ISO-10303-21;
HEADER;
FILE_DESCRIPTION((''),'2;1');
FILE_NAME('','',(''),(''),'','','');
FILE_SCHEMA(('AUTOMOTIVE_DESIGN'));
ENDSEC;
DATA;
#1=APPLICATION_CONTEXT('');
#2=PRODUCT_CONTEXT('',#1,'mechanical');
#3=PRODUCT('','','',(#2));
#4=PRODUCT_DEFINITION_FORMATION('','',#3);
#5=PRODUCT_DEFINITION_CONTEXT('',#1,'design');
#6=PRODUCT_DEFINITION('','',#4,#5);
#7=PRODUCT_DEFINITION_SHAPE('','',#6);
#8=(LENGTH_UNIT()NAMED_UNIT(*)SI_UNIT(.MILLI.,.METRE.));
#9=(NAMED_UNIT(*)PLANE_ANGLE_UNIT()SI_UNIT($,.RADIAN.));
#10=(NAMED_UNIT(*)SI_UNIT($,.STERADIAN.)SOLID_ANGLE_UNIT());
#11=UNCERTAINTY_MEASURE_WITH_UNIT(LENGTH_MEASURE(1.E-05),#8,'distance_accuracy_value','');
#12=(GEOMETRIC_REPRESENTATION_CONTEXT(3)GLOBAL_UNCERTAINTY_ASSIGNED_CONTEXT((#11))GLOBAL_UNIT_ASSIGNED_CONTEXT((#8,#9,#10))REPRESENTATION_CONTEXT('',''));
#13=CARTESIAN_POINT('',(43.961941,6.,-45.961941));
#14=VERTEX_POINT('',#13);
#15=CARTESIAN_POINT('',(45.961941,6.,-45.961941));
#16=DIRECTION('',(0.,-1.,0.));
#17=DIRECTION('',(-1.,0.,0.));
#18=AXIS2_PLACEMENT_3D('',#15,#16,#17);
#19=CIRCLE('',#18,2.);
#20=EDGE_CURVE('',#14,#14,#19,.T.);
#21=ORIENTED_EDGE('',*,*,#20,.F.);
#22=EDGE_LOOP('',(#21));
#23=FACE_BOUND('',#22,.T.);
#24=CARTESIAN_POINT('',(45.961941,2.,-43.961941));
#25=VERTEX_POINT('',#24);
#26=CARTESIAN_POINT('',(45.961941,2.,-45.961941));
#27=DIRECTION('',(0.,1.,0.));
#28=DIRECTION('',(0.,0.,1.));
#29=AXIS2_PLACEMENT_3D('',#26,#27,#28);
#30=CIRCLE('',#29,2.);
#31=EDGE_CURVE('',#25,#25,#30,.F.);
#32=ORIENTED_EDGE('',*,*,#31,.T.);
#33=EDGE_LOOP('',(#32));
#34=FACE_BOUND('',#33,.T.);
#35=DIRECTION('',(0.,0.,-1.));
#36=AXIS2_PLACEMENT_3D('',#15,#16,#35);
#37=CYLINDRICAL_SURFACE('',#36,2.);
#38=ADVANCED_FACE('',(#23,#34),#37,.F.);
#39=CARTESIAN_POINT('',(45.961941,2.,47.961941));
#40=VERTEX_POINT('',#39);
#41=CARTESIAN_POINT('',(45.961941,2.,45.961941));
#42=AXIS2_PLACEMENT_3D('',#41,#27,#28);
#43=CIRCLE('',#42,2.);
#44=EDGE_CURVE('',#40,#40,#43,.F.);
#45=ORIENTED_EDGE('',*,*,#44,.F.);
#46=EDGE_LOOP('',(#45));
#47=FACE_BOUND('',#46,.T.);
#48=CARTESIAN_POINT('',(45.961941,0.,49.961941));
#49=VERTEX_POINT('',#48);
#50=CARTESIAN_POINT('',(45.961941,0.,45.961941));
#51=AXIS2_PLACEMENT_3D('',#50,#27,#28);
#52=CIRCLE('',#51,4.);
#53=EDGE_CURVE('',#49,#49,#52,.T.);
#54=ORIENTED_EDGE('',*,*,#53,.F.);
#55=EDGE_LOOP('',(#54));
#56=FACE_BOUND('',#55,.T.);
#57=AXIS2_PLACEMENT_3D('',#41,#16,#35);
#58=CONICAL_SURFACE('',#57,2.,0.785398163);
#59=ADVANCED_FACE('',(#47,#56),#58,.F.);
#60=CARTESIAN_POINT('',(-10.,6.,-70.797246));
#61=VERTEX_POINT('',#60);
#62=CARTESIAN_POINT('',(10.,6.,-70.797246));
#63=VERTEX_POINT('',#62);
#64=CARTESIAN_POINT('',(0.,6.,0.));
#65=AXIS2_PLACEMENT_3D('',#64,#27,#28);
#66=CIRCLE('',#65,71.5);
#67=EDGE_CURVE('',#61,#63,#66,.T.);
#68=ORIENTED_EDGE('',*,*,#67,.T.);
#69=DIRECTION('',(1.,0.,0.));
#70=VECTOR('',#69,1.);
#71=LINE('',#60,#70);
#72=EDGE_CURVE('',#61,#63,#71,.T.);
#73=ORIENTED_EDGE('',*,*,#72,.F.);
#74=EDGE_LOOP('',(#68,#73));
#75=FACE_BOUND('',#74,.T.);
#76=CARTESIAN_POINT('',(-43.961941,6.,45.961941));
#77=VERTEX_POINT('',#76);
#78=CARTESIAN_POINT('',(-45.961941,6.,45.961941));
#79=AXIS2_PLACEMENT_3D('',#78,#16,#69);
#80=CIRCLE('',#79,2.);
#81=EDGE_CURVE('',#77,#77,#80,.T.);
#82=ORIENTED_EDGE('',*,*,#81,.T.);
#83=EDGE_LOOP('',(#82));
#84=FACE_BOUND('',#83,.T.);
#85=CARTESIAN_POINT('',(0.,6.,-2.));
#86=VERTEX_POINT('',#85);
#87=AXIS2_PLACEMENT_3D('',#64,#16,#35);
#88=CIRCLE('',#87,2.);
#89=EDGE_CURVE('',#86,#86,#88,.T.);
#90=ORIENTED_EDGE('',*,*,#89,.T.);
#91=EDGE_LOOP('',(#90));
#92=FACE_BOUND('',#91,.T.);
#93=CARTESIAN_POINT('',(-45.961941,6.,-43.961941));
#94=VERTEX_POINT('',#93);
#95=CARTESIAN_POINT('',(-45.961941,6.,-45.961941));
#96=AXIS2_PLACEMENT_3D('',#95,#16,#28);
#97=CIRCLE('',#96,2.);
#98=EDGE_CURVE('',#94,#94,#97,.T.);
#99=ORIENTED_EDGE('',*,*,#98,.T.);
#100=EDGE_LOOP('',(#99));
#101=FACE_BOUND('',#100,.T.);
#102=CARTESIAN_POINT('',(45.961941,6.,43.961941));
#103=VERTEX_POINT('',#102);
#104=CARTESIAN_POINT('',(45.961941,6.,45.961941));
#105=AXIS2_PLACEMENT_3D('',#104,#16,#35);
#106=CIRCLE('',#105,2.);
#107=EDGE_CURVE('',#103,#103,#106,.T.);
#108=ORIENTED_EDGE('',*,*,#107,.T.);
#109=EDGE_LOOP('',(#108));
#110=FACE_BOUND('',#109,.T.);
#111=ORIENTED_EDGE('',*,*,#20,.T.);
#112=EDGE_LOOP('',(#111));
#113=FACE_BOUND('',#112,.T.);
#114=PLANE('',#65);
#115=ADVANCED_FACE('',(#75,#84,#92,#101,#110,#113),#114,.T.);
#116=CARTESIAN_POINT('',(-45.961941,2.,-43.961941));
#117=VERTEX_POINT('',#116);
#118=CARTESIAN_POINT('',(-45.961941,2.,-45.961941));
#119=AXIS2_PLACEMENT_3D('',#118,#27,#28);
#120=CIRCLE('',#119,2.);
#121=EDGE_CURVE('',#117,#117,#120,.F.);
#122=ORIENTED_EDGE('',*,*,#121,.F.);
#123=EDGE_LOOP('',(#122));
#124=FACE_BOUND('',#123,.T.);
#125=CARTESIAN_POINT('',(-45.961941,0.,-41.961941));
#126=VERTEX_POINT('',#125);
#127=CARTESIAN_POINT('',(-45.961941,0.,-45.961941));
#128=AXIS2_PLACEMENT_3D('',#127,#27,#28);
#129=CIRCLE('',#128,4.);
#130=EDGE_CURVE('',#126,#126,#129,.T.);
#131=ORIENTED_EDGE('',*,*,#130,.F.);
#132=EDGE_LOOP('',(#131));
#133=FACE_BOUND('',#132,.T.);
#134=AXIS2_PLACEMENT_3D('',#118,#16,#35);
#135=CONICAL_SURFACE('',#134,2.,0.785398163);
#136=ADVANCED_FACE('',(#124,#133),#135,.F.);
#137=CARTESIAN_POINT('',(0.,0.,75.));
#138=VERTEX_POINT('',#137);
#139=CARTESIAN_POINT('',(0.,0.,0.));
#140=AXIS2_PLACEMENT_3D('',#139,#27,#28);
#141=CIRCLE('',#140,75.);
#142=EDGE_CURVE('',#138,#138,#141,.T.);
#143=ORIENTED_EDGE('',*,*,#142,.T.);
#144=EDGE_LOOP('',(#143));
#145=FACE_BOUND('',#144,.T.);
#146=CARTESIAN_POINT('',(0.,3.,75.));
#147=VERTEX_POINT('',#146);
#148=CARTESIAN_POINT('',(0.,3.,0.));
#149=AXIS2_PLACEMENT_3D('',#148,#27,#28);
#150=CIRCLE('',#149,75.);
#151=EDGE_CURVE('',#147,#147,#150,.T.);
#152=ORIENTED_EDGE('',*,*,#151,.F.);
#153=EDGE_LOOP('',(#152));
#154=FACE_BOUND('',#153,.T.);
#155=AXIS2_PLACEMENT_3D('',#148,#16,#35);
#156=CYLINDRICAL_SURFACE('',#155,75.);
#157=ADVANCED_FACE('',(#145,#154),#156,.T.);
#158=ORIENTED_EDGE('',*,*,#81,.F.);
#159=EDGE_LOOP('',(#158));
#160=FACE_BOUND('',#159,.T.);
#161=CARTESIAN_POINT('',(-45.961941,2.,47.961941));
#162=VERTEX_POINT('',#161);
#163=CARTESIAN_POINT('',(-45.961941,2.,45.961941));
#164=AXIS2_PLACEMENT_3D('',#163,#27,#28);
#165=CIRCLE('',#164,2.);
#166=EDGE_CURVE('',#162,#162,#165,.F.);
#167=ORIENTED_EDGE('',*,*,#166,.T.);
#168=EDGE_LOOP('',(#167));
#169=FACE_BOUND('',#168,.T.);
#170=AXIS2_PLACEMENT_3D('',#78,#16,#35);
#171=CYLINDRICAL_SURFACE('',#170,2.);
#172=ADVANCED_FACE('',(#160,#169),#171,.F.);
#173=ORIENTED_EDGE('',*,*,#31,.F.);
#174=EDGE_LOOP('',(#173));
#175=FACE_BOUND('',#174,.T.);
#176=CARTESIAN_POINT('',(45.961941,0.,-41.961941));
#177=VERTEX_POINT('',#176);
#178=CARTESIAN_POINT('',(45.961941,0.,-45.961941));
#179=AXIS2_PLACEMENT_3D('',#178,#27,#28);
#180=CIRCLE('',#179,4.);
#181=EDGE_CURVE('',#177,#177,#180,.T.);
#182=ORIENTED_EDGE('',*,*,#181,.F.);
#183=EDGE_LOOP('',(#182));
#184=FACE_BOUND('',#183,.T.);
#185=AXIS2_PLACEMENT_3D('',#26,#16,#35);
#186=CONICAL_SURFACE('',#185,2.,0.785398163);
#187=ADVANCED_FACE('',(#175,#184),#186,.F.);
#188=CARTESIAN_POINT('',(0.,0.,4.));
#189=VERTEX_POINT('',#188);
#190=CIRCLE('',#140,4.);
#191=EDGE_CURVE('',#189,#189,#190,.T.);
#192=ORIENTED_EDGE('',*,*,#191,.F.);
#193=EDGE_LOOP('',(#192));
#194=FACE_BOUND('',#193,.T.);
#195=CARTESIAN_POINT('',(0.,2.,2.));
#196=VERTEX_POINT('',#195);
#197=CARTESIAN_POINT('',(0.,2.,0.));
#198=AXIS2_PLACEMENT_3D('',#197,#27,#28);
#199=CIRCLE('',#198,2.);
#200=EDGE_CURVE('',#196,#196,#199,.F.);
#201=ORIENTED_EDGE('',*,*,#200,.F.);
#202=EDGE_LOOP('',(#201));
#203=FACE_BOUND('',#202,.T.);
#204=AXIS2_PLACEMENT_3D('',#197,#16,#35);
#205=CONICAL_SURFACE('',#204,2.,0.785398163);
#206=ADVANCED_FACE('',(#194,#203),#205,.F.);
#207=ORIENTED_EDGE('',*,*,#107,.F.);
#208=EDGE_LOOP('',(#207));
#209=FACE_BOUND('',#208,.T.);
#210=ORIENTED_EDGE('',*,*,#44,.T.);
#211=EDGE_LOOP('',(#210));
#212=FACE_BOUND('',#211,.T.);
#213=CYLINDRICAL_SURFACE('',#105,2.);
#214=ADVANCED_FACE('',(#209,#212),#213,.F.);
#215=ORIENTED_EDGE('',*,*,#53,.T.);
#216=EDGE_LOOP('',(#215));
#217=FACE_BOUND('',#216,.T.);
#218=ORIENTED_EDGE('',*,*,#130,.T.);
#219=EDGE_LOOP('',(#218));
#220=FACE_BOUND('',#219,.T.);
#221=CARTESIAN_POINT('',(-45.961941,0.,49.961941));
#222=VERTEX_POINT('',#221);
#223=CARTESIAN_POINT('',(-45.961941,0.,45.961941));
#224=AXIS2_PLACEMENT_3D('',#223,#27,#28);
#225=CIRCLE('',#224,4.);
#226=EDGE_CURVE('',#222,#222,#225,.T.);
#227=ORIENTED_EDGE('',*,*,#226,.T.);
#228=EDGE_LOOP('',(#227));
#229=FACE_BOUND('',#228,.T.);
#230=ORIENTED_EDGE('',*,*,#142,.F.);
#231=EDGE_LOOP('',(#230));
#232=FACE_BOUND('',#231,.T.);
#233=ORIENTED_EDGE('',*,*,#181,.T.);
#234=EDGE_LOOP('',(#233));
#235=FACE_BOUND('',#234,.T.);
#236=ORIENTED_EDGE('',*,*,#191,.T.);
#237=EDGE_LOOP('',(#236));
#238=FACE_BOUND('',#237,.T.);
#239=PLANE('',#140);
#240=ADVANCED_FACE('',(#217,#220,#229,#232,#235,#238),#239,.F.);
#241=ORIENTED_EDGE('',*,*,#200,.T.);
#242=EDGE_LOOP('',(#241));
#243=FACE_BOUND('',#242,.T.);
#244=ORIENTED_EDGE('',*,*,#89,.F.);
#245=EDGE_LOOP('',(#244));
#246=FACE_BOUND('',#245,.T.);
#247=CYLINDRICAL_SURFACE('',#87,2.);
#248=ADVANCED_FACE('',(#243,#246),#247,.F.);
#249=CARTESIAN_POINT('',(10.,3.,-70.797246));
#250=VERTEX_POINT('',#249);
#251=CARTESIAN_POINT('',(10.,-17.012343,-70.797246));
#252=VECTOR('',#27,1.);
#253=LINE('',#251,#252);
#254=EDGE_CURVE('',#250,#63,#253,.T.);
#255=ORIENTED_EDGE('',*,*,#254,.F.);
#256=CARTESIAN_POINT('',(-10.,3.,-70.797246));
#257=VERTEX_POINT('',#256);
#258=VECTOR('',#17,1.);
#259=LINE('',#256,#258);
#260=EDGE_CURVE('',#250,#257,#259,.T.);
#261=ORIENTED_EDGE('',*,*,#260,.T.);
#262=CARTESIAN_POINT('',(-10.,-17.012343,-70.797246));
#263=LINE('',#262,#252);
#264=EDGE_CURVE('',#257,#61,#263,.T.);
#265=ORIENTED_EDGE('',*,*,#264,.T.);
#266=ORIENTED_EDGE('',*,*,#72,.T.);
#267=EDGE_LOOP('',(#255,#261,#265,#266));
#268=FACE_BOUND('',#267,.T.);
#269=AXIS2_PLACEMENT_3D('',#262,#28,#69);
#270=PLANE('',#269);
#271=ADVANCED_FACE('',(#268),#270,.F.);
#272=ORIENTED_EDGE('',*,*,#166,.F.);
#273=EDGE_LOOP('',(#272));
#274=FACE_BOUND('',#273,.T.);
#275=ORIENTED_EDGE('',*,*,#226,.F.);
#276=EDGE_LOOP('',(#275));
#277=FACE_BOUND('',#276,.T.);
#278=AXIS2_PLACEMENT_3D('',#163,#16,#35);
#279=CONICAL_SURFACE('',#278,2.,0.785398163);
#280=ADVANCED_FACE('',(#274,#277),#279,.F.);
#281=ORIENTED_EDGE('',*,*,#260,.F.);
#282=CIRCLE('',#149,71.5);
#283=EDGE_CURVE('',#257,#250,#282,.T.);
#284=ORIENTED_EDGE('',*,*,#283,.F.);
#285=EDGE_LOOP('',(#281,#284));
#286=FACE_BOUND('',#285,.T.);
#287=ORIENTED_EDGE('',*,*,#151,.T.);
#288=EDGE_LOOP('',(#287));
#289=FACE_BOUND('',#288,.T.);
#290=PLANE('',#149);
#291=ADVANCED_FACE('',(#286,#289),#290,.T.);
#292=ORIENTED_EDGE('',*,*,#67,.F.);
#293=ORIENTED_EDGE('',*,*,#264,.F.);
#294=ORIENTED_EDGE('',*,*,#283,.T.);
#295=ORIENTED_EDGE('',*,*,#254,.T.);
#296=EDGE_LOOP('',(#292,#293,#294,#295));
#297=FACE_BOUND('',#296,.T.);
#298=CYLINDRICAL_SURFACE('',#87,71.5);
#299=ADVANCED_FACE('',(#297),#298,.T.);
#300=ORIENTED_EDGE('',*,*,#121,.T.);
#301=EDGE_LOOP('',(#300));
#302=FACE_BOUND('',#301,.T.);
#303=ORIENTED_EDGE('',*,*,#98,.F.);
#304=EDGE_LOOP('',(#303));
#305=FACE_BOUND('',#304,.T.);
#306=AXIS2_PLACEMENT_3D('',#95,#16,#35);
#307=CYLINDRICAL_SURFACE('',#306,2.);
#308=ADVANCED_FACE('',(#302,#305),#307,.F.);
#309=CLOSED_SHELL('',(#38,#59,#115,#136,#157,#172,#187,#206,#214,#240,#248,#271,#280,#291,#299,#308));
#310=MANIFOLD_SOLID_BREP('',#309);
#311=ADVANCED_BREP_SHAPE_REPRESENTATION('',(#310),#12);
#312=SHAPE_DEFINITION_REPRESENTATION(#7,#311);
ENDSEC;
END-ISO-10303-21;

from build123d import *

# Parameters (mm, degrees)
SKETCH1_R                    = 75
BOSS_EXTRUDE1_DEPTH          = 3
SKETCH2_R                    = 71.5
BOSS_EXTRUDE2_DEPTH          = 3
SKETCH3_R                    = 2
CUT_EXTRUDE1_DEPTH           = 7
CHAMFER1_SIZE                = 2
CIRPATTERN1_COUNT            = 4
CHAMFER1_OF_CIRPATTERN1_SIZE = 2
SKETCH4_R                    = 2
CUT_EXTRUDE2_DEPTH           = 7
CHAMFER2_SIZE                = 2
CUT_EXTRUDE4_DEPTH           = 3


with BuildPart() as part:
    # Sketch1 → Boss-Extrude1 (new body)
    with BuildSketch(Plane(origin=(0, 0, 0), x_dir=(1, 0, 0), z_dir=(0, 1, 0))):
        Circle(SKETCH1_R)
    extrude(amount=BOSS_EXTRUDE1_DEPTH)

    # Sketch2 → Boss-Extrude2 (add)
    with BuildSketch(Plane(origin=(0, 3, 0), x_dir=(1, 0, 0), z_dir=(0, 1, 0))):
        Circle(SKETCH2_R)
    extrude(amount=BOSS_EXTRUDE2_DEPTH)

    # Sketch3 → Cut-Extrude1 (cut, through all)
    with BuildSketch(Plane.XZ):
        with Locations((45.961940777, 45.961940777)):
            Circle(SKETCH3_R)
    cut_extrude1 = extrude(amount=-CUT_EXTRUDE1_DEPTH, mode=Mode.SUBTRACT)

    # Chamfer1
    chamfer1_edges = [part.edges().sort_by_distance(p)[0] for p in [
        (43.961940777, 0, 45.961940777),
    ]]
    chamfer(chamfer1_edges, length=CHAMFER1_SIZE)

    # CirPattern1: Cut-Extrude1 ×4 about axis
    cirpattern1_axis = Axis((0, 0, 0), (0, 1, 0))
    for i in range(1, CIRPATTERN1_COUNT):
        add(cut_extrude1.rotate(cirpattern1_axis, i * 360 / CIRPATTERN1_COUNT), mode=Mode.SUBTRACT)

    # Chamfer1 of CirPattern1
    chamfer1_of_cirpattern1_edges = [part.edges().sort_by_distance(p)[0] for p in [
        (45.961940777, 0, -43.961940777),
        (-43.961940777, 0, -45.961940777),
        (-45.961940777, 0, 43.961940777),
    ]]
    chamfer(chamfer1_of_cirpattern1_edges, length=CHAMFER1_OF_CIRPATTERN1_SIZE)

    # Sketch4 → Cut-Extrude2 (cut, through all)
    with BuildSketch(Plane.XZ):
        Circle(SKETCH4_R)
    extrude(amount=-CUT_EXTRUDE2_DEPTH, mode=Mode.SUBTRACT)

    # Chamfer2
    chamfer2_edges = [part.edges().sort_by_distance(p)[0] for p in [
        (-2, 0, 0),
    ]]
    chamfer(chamfer2_edges, length=CHAMFER2_SIZE)

    # Sketch5 → Cut-Extrude4 (cut)
    with BuildSketch(Plane(origin=(0, 6, 0), x_dir=(1, 0, 0), z_dir=(0, 1, 0))):
        with BuildLine():
            Line((-10, 70.797245709), (10, 70.797245709))
            ThreePointArc((10, 70.797245709), (0, 71.5), (-10, 70.797245709))
        make_face()
    extrude(amount=-CUT_EXTRUDE4_DEPTH, mode=Mode.SUBTRACT)


solid = part.part
